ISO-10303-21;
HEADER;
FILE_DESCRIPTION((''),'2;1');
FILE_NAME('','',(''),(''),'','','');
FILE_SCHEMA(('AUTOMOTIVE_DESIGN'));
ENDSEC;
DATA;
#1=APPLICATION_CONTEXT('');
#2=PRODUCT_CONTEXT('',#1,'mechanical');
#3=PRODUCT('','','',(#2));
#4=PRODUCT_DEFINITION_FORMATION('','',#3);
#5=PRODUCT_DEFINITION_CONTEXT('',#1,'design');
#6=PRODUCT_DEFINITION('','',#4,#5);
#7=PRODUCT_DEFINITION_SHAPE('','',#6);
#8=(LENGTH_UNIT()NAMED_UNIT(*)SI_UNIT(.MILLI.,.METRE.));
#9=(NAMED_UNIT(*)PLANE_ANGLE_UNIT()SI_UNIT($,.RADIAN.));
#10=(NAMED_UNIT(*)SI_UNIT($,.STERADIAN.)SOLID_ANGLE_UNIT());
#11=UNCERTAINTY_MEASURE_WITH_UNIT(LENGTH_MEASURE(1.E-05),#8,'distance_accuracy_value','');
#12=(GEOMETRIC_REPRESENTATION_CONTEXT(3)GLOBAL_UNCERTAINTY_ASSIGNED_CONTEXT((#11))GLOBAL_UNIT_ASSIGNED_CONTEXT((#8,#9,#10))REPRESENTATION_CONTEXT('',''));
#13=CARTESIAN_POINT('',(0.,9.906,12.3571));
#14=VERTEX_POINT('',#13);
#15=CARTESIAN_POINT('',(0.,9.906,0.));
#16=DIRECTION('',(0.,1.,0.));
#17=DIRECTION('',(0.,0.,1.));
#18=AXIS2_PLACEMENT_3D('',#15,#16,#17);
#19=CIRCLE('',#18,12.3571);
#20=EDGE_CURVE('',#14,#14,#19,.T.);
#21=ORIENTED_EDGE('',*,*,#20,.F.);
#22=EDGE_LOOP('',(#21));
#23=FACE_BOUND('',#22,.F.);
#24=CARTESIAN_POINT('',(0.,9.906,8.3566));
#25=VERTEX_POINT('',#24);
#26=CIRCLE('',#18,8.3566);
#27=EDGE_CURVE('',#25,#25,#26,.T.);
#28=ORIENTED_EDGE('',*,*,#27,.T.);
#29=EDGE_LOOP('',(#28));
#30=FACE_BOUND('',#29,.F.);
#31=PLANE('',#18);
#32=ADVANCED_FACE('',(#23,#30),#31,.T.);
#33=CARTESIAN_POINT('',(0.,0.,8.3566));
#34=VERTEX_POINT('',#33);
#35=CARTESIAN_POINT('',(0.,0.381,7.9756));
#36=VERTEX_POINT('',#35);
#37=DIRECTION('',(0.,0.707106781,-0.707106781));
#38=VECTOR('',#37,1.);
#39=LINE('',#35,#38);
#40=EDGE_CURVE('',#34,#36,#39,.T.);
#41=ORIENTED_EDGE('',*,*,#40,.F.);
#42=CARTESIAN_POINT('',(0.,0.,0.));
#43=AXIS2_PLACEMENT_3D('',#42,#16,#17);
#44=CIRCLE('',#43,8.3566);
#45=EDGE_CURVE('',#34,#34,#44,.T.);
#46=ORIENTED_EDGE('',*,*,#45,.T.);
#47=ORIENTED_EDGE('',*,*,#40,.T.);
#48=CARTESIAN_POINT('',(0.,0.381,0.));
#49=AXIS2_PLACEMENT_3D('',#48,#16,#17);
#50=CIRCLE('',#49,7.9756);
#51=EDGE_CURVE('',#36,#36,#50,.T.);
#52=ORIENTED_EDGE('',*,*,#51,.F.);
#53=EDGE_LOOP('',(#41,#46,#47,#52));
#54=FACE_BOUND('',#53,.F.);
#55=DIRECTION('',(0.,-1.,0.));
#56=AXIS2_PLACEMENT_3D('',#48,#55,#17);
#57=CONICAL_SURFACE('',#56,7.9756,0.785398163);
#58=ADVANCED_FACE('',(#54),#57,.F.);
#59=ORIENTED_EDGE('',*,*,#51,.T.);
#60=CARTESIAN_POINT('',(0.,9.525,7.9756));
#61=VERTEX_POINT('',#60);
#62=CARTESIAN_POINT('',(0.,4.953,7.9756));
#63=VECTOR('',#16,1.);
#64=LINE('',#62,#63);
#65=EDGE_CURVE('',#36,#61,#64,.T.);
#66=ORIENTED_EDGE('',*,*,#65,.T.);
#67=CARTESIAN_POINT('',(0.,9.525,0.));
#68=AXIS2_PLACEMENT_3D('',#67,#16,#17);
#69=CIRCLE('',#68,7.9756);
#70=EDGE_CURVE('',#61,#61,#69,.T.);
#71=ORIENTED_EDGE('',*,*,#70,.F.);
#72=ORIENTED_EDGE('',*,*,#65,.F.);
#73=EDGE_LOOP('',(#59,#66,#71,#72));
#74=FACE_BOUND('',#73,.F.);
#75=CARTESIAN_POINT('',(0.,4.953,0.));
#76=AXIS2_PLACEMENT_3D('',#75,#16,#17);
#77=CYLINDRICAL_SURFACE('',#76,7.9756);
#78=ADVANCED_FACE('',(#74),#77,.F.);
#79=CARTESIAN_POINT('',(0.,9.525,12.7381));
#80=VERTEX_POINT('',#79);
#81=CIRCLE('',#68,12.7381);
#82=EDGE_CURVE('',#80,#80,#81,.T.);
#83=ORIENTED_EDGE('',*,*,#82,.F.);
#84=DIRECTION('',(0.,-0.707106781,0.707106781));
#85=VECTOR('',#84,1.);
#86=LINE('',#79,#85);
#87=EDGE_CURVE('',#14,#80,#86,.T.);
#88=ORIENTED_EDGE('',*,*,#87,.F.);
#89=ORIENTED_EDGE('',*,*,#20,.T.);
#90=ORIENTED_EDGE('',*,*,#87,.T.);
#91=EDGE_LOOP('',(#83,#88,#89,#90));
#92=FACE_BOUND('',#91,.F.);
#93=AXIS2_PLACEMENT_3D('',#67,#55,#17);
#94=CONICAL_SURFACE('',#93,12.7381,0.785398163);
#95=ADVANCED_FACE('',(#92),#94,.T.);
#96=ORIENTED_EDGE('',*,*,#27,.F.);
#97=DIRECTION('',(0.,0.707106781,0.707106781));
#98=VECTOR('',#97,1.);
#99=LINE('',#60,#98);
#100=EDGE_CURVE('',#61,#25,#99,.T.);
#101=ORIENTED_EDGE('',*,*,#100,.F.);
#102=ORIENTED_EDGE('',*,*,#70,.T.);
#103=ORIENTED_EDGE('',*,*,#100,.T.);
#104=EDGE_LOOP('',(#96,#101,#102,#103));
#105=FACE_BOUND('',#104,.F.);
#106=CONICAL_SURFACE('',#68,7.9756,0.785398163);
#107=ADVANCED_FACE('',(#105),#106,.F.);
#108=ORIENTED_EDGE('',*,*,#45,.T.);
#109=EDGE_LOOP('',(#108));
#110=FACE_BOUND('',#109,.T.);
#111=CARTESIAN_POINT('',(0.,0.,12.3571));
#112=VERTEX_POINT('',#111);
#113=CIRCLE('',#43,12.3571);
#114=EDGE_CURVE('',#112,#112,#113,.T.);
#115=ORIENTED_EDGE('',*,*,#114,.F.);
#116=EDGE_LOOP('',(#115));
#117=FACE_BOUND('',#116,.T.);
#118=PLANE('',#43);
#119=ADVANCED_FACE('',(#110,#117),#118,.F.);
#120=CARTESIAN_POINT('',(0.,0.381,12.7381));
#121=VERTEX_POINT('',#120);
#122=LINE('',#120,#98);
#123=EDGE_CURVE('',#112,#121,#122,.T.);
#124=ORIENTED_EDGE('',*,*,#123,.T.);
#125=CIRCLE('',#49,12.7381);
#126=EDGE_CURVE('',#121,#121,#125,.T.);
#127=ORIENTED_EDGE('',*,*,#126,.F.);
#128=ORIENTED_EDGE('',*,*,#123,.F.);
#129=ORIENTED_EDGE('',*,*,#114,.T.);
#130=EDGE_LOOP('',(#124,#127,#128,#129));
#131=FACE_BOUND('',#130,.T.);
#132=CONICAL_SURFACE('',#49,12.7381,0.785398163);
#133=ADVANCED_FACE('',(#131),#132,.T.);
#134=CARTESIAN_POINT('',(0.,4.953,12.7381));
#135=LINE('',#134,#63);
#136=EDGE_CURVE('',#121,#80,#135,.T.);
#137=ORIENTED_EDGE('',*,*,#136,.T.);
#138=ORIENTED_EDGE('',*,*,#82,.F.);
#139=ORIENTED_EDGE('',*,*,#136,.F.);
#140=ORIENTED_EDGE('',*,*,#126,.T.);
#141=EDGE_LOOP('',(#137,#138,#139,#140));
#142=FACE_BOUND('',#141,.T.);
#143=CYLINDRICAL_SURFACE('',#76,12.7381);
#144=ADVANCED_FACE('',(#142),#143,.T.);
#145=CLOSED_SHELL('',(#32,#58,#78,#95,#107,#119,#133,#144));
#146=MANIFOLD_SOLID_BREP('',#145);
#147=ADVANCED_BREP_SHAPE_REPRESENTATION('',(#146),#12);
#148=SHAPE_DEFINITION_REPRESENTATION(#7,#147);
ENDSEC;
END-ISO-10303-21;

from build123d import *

# Parameters (mm, degrees)
F0_W    = 9.906
F0_H    = 4.7625
F2_SIZE = 0.381


with BuildPart() as f1:
    # F0 (on Right) → F1 (revolve)
    with BuildSketch(Plane.YZ):
        with Locations((4.953, 10.35685)):
            Rectangle(F0_W, F0_H)
    revolve(axis=Axis((0, 3.091772, 0), (0, 1, 0)))

    # F2
    f2_edges = [f1.edges().sort_by_distance(p)[0] for p in [
        (0, 9.906, -12.7381),
        (0, 0, -12.7381),
        (0, 4.953, 12.7381),
        (0, 0, -7.9756),
        (0, 9.906, -7.9756),
        (0, 4.953, 7.9756),
    ]]
    chamfer(f2_edges, length=F2_SIZE)


solid = f1.part
